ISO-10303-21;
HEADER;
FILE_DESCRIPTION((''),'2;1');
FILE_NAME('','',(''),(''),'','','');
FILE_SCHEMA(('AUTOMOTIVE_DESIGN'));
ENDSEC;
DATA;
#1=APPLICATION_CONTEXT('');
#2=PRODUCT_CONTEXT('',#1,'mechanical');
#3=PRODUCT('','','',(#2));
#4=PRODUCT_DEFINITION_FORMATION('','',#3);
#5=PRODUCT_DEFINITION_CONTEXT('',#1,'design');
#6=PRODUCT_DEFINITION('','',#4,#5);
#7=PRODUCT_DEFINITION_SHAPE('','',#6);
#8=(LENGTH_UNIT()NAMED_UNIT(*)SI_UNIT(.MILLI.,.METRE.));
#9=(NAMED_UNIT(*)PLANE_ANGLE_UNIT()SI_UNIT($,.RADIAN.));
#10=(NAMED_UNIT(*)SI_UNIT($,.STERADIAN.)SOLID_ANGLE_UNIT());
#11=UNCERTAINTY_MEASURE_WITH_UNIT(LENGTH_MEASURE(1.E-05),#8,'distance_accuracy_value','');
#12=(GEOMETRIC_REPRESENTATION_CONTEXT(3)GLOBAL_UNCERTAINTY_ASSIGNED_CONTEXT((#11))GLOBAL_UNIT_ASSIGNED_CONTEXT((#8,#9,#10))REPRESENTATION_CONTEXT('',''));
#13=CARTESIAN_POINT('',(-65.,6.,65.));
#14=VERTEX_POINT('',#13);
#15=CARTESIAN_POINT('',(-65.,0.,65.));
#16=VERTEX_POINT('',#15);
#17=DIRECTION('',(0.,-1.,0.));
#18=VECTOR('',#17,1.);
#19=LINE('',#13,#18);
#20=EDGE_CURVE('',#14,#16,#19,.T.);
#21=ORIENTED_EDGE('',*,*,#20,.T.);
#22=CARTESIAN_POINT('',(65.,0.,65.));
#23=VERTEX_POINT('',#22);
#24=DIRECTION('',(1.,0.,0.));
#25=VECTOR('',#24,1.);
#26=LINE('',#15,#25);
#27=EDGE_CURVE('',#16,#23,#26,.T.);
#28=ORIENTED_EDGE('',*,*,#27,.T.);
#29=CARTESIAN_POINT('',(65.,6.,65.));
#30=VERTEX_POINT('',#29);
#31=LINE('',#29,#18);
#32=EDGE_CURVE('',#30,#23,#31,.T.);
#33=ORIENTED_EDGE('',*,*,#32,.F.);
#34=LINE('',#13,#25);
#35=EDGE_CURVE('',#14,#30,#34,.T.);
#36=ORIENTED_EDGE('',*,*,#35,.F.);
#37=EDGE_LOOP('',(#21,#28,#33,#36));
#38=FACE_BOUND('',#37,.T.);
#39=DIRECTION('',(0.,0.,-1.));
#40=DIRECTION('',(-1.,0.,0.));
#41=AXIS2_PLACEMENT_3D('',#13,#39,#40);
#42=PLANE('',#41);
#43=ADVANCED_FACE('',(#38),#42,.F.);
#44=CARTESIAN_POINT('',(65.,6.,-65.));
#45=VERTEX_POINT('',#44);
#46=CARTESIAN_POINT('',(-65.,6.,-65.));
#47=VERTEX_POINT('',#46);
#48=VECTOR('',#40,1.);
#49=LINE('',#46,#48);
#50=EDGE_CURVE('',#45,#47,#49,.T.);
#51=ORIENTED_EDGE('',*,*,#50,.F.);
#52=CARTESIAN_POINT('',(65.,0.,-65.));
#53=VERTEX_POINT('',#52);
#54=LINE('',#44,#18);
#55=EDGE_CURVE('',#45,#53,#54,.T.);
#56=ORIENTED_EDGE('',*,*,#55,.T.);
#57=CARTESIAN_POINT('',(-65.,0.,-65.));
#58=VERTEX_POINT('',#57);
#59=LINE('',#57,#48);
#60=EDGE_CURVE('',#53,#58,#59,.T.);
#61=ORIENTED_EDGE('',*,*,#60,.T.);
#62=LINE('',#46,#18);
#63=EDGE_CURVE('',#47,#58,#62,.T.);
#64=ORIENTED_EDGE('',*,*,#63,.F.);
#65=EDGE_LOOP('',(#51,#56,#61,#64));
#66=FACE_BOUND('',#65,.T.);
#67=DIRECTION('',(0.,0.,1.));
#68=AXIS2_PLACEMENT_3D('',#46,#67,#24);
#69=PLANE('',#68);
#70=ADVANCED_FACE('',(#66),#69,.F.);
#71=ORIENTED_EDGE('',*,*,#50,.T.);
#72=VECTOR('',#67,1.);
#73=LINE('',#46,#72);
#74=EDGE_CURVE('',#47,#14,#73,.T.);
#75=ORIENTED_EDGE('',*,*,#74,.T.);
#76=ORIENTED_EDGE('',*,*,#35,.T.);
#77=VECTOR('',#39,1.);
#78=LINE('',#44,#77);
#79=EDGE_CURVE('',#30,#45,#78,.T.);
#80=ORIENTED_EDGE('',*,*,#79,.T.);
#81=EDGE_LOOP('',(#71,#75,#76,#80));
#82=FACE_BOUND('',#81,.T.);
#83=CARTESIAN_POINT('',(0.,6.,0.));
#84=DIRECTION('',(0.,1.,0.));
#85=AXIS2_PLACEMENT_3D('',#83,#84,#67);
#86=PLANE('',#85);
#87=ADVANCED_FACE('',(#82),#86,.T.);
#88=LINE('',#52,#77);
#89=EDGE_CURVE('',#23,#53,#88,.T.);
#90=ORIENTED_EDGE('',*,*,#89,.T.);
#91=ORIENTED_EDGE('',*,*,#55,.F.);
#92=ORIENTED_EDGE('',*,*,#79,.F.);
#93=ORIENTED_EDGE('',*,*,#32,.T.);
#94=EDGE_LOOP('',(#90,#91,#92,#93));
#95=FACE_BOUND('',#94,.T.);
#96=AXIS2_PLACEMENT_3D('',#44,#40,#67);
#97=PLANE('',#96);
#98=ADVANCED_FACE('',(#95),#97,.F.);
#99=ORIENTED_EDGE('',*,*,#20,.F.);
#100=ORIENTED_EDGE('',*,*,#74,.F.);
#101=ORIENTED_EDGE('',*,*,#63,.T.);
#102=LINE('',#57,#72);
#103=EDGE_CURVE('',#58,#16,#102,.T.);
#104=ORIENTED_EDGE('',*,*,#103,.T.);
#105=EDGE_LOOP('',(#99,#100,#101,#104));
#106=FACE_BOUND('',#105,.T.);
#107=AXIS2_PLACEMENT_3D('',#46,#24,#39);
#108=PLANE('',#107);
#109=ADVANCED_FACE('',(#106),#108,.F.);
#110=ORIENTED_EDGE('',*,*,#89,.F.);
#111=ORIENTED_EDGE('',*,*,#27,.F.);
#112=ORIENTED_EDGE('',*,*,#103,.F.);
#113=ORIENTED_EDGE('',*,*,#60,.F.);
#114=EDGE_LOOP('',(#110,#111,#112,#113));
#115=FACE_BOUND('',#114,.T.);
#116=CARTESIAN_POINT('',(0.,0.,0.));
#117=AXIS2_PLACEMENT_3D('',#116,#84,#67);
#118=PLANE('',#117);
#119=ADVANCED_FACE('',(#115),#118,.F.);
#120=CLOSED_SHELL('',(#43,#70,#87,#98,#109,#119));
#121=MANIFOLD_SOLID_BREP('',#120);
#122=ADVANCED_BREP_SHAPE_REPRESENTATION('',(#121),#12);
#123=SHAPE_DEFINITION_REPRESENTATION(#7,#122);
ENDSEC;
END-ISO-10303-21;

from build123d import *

# Parameters (mm, degrees)
SKETCH_1_W      = 130
SKETCH_1_H      = 130
EXTRUDE_1_DEPTH = 6


with BuildPart() as part:
    # Эскиз1 → Бобышка-Вытянуть1 (new body)
    with BuildSketch(Plane(origin=(0, 0, 0), x_dir=(1, 0, 0), z_dir=(0, 1, 0))):
        Rectangle(SKETCH_1_W, SKETCH_1_H)
    extrude(amount=EXTRUDE_1_DEPTH)


solid = part.part
